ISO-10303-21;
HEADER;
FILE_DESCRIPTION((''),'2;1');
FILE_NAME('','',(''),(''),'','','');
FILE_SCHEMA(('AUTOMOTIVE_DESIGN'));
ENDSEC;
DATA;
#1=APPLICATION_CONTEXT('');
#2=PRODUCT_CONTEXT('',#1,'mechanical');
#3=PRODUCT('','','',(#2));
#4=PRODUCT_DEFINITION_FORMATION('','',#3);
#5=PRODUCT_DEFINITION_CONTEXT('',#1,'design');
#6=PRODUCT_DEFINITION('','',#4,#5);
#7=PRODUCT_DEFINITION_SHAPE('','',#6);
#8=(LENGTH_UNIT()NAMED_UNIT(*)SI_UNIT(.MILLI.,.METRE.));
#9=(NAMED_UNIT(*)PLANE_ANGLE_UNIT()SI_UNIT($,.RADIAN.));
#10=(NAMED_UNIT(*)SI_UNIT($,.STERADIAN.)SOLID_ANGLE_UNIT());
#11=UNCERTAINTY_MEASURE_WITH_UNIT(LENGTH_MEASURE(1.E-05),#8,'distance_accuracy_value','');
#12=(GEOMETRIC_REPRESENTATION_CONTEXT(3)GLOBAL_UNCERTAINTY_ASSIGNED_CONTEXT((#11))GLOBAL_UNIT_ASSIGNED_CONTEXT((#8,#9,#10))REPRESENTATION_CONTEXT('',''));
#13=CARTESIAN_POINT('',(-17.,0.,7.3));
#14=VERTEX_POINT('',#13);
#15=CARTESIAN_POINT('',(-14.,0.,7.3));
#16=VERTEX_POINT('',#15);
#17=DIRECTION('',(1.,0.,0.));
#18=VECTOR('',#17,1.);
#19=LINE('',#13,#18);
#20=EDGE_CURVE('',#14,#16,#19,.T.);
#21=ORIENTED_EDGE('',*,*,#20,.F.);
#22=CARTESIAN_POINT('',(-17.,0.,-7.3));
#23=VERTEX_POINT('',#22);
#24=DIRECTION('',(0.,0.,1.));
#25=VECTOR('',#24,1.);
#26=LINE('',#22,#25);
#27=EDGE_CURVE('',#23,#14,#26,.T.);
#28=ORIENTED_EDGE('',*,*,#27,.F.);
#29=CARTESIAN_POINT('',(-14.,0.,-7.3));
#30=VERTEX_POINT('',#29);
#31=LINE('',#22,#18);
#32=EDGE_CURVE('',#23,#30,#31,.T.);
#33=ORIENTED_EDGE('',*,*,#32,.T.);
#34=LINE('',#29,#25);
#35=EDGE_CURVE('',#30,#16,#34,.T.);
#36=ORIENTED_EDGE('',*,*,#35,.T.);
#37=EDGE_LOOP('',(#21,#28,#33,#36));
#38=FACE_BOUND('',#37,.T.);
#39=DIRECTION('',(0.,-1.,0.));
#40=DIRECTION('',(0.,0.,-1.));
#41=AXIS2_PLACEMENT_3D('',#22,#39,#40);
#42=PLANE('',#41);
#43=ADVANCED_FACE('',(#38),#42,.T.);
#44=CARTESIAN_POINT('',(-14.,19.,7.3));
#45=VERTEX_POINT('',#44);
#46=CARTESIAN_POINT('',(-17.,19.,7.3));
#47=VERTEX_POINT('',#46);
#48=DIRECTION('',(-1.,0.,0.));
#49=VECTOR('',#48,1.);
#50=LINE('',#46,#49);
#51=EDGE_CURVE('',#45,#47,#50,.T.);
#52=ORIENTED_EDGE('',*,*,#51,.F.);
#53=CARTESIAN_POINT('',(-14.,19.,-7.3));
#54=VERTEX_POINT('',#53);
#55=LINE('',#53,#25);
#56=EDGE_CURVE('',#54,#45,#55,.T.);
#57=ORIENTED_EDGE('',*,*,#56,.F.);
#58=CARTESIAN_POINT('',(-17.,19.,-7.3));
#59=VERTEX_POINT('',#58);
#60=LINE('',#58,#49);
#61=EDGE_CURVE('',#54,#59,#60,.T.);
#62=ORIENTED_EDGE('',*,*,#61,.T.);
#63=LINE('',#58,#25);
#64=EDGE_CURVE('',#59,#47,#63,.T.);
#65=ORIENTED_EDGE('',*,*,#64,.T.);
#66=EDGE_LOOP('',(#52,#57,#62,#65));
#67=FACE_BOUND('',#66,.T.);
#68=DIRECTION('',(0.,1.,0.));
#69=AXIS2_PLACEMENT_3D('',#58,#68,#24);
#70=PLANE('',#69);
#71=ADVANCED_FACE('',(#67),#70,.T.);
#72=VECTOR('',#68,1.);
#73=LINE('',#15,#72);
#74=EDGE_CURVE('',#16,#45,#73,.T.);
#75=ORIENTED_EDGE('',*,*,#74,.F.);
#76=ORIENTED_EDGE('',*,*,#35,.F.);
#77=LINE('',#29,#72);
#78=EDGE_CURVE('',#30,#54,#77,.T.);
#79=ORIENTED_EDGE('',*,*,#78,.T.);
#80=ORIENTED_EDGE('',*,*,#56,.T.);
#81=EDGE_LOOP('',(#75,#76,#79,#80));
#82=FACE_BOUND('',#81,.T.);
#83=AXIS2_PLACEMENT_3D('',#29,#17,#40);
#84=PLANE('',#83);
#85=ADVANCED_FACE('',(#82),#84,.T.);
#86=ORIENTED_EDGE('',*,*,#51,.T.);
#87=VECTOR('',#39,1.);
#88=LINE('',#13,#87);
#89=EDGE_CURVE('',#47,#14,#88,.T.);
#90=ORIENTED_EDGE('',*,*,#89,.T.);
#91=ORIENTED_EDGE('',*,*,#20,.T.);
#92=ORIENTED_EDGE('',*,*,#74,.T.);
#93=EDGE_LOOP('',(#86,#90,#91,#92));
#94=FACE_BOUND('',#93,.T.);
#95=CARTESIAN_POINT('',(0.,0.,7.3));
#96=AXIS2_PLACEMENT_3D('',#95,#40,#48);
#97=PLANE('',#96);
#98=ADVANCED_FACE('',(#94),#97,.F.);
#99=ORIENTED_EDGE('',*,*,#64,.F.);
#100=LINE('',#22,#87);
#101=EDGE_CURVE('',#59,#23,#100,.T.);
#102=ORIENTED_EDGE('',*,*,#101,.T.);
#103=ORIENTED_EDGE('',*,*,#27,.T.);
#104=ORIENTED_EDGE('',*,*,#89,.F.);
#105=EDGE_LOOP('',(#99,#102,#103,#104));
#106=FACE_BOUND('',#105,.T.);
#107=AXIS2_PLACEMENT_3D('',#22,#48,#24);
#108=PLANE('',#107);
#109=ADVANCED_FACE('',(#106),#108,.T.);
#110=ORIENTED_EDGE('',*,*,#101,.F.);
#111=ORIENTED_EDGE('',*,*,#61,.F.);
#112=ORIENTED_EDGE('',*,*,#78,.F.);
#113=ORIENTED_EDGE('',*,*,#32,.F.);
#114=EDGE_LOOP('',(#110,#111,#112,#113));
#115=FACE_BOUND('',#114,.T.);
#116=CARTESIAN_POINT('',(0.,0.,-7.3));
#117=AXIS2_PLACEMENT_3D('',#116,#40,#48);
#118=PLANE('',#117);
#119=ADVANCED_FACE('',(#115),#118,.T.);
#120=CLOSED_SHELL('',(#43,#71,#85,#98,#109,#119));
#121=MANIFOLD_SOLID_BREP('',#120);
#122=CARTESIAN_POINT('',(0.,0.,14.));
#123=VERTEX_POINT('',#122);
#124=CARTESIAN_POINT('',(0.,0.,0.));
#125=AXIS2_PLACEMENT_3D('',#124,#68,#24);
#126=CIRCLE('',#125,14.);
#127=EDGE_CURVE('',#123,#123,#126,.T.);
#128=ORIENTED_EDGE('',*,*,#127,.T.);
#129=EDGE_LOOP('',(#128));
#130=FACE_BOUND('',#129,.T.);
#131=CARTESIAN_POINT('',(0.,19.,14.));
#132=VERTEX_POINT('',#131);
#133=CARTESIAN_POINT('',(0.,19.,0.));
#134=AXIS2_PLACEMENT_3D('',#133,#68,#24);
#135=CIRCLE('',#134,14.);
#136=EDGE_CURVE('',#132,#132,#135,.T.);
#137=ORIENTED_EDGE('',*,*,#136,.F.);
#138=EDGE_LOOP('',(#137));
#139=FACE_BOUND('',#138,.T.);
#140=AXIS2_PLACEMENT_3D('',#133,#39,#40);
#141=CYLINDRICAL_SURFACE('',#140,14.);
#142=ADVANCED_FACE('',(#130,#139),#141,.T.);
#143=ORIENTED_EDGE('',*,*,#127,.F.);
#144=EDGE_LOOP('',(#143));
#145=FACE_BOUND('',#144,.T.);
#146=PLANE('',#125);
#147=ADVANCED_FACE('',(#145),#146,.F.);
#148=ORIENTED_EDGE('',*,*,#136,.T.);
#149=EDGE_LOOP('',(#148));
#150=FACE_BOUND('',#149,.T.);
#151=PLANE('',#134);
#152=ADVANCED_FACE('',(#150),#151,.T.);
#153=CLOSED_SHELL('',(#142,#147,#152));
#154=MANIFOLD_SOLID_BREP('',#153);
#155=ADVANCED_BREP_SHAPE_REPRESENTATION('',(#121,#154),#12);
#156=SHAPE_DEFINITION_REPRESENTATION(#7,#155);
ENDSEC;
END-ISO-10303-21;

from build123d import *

# Parameters (mm, degrees)
SKETCH_1_R           = 14
EXTRUDE_1_DEPTH      = 19
EXTRUDE_2_DEPTH      = 7.3
EXTRUDE_2_DEPTH_BACK = 7.3
SKETCH_3_W           = 3
SKETCH_3_H           = 19


with BuildPart() as part:
    # 草图1 → 凸台-拉伸1 (new body)
    with BuildSketch(Plane(origin=(0, 0, 0), x_dir=(1, 0, 0), z_dir=(0, 1, 0))):
        Circle(SKETCH_1_R)
    extrude(amount=EXTRUDE_1_DEPTH)


with BuildPart() as body_2:
    # 草图3 → 凸台-拉伸2 (new, two sides: drawn at the far end of the back side and taken through both)
    with BuildSketch(Plane.XY.offset(-EXTRUDE_2_DEPTH_BACK)):
        with Locations((-15.5, 9.5)):
            Rectangle(SKETCH_3_W, SKETCH_3_H)
    extrude(amount=EXTRUDE_2_DEPTH + EXTRUDE_2_DEPTH_BACK)


solid = Compound([part.part, body_2.part])
